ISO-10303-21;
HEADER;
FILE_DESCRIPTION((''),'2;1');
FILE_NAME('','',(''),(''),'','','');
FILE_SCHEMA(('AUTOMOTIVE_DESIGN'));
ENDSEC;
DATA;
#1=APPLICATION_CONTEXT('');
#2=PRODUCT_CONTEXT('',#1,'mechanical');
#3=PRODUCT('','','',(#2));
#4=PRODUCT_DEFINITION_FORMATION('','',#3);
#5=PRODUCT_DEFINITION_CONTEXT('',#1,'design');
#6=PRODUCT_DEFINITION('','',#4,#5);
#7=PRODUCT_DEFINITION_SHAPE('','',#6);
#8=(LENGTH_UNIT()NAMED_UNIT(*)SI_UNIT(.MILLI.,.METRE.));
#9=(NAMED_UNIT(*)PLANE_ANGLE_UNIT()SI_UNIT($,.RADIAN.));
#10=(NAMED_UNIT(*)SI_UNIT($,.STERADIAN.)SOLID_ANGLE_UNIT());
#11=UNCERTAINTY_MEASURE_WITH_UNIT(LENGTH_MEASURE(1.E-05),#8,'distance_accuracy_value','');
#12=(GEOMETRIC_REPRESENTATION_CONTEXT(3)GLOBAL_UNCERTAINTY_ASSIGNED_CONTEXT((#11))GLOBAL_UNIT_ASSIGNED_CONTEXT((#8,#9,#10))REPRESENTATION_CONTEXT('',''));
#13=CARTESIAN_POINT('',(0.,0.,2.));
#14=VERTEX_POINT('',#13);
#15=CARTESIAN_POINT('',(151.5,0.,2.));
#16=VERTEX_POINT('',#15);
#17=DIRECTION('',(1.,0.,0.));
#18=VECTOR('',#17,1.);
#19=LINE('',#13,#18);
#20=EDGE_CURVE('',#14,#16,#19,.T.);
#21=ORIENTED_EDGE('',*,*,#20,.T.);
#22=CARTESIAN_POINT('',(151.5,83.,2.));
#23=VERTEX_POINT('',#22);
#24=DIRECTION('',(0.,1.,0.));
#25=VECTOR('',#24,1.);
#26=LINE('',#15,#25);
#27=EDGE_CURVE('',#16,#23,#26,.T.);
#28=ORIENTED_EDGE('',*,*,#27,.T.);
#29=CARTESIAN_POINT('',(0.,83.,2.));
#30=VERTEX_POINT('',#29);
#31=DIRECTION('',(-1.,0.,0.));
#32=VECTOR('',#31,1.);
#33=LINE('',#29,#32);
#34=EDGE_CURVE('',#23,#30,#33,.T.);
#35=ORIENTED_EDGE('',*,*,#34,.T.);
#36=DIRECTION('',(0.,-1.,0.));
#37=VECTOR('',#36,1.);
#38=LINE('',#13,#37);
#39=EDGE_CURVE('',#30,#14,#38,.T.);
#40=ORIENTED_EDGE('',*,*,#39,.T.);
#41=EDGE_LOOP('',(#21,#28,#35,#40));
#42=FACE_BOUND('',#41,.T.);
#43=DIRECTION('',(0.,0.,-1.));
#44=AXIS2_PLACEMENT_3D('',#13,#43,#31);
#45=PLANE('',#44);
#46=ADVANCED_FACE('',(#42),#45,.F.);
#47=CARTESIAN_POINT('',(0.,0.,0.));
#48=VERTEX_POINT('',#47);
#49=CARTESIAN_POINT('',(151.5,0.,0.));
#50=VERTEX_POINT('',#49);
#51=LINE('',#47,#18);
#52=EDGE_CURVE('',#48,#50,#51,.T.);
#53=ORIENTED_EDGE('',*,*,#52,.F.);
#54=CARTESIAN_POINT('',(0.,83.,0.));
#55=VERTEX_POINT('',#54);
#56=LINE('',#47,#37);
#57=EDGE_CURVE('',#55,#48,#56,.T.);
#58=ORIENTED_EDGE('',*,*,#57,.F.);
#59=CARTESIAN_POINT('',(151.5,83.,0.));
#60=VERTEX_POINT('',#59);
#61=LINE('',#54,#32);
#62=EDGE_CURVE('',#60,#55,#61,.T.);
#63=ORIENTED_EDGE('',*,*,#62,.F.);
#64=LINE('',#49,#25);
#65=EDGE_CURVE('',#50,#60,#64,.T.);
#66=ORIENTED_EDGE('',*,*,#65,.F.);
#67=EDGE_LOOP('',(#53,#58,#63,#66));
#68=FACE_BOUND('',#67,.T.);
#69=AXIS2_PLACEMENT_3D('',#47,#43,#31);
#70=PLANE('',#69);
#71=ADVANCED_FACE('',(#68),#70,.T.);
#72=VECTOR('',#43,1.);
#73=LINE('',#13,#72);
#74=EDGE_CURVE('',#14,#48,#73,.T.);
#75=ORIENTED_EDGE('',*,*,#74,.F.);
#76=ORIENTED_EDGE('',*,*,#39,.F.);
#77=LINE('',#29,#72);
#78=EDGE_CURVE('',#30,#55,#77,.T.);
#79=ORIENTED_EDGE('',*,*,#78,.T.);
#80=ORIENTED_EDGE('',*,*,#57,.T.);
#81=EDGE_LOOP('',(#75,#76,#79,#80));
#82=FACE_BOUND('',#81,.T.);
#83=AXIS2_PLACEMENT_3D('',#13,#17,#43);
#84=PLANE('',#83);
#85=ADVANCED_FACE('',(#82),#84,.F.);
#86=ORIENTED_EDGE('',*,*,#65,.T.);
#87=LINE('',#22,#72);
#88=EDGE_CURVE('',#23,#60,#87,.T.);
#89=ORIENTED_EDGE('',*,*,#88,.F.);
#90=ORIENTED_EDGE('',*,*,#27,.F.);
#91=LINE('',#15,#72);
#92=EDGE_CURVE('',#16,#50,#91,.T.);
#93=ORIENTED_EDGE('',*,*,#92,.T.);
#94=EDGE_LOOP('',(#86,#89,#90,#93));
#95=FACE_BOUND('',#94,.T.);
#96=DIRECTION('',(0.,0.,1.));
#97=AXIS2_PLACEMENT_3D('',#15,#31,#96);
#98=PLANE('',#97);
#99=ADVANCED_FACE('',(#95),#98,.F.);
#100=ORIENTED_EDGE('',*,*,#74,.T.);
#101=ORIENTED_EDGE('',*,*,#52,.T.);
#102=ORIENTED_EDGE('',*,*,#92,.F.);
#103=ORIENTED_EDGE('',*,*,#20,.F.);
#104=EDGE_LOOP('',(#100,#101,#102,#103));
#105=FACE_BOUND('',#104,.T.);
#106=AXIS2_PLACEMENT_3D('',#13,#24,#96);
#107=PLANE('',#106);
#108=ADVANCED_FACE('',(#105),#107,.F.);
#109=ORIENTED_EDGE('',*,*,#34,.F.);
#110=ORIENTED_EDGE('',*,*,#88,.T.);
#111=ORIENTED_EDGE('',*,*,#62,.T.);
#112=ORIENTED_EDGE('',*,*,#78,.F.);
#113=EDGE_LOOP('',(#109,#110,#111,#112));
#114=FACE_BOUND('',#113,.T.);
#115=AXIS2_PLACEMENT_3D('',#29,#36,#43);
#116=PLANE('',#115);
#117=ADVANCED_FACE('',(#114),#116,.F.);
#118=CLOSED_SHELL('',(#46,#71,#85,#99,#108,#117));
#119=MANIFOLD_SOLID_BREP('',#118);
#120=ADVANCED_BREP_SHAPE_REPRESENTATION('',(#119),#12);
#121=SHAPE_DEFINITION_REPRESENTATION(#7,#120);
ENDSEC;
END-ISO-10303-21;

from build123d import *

# Parameters (mm, degrees)
SKETCH_1_W      = 151.5
SKETCH_1_H      = 83
EXTRUDE_1_DEPTH = 2


with BuildPart() as part:
    # 草图1 → 凸台-拉伸1 (new body)
    with BuildSketch(Plane.XY):
        with Locations((75.75, 41.5)):
            Rectangle(SKETCH_1_W, SKETCH_1_H)
    extrude(amount=EXTRUDE_1_DEPTH)


solid = part.part
